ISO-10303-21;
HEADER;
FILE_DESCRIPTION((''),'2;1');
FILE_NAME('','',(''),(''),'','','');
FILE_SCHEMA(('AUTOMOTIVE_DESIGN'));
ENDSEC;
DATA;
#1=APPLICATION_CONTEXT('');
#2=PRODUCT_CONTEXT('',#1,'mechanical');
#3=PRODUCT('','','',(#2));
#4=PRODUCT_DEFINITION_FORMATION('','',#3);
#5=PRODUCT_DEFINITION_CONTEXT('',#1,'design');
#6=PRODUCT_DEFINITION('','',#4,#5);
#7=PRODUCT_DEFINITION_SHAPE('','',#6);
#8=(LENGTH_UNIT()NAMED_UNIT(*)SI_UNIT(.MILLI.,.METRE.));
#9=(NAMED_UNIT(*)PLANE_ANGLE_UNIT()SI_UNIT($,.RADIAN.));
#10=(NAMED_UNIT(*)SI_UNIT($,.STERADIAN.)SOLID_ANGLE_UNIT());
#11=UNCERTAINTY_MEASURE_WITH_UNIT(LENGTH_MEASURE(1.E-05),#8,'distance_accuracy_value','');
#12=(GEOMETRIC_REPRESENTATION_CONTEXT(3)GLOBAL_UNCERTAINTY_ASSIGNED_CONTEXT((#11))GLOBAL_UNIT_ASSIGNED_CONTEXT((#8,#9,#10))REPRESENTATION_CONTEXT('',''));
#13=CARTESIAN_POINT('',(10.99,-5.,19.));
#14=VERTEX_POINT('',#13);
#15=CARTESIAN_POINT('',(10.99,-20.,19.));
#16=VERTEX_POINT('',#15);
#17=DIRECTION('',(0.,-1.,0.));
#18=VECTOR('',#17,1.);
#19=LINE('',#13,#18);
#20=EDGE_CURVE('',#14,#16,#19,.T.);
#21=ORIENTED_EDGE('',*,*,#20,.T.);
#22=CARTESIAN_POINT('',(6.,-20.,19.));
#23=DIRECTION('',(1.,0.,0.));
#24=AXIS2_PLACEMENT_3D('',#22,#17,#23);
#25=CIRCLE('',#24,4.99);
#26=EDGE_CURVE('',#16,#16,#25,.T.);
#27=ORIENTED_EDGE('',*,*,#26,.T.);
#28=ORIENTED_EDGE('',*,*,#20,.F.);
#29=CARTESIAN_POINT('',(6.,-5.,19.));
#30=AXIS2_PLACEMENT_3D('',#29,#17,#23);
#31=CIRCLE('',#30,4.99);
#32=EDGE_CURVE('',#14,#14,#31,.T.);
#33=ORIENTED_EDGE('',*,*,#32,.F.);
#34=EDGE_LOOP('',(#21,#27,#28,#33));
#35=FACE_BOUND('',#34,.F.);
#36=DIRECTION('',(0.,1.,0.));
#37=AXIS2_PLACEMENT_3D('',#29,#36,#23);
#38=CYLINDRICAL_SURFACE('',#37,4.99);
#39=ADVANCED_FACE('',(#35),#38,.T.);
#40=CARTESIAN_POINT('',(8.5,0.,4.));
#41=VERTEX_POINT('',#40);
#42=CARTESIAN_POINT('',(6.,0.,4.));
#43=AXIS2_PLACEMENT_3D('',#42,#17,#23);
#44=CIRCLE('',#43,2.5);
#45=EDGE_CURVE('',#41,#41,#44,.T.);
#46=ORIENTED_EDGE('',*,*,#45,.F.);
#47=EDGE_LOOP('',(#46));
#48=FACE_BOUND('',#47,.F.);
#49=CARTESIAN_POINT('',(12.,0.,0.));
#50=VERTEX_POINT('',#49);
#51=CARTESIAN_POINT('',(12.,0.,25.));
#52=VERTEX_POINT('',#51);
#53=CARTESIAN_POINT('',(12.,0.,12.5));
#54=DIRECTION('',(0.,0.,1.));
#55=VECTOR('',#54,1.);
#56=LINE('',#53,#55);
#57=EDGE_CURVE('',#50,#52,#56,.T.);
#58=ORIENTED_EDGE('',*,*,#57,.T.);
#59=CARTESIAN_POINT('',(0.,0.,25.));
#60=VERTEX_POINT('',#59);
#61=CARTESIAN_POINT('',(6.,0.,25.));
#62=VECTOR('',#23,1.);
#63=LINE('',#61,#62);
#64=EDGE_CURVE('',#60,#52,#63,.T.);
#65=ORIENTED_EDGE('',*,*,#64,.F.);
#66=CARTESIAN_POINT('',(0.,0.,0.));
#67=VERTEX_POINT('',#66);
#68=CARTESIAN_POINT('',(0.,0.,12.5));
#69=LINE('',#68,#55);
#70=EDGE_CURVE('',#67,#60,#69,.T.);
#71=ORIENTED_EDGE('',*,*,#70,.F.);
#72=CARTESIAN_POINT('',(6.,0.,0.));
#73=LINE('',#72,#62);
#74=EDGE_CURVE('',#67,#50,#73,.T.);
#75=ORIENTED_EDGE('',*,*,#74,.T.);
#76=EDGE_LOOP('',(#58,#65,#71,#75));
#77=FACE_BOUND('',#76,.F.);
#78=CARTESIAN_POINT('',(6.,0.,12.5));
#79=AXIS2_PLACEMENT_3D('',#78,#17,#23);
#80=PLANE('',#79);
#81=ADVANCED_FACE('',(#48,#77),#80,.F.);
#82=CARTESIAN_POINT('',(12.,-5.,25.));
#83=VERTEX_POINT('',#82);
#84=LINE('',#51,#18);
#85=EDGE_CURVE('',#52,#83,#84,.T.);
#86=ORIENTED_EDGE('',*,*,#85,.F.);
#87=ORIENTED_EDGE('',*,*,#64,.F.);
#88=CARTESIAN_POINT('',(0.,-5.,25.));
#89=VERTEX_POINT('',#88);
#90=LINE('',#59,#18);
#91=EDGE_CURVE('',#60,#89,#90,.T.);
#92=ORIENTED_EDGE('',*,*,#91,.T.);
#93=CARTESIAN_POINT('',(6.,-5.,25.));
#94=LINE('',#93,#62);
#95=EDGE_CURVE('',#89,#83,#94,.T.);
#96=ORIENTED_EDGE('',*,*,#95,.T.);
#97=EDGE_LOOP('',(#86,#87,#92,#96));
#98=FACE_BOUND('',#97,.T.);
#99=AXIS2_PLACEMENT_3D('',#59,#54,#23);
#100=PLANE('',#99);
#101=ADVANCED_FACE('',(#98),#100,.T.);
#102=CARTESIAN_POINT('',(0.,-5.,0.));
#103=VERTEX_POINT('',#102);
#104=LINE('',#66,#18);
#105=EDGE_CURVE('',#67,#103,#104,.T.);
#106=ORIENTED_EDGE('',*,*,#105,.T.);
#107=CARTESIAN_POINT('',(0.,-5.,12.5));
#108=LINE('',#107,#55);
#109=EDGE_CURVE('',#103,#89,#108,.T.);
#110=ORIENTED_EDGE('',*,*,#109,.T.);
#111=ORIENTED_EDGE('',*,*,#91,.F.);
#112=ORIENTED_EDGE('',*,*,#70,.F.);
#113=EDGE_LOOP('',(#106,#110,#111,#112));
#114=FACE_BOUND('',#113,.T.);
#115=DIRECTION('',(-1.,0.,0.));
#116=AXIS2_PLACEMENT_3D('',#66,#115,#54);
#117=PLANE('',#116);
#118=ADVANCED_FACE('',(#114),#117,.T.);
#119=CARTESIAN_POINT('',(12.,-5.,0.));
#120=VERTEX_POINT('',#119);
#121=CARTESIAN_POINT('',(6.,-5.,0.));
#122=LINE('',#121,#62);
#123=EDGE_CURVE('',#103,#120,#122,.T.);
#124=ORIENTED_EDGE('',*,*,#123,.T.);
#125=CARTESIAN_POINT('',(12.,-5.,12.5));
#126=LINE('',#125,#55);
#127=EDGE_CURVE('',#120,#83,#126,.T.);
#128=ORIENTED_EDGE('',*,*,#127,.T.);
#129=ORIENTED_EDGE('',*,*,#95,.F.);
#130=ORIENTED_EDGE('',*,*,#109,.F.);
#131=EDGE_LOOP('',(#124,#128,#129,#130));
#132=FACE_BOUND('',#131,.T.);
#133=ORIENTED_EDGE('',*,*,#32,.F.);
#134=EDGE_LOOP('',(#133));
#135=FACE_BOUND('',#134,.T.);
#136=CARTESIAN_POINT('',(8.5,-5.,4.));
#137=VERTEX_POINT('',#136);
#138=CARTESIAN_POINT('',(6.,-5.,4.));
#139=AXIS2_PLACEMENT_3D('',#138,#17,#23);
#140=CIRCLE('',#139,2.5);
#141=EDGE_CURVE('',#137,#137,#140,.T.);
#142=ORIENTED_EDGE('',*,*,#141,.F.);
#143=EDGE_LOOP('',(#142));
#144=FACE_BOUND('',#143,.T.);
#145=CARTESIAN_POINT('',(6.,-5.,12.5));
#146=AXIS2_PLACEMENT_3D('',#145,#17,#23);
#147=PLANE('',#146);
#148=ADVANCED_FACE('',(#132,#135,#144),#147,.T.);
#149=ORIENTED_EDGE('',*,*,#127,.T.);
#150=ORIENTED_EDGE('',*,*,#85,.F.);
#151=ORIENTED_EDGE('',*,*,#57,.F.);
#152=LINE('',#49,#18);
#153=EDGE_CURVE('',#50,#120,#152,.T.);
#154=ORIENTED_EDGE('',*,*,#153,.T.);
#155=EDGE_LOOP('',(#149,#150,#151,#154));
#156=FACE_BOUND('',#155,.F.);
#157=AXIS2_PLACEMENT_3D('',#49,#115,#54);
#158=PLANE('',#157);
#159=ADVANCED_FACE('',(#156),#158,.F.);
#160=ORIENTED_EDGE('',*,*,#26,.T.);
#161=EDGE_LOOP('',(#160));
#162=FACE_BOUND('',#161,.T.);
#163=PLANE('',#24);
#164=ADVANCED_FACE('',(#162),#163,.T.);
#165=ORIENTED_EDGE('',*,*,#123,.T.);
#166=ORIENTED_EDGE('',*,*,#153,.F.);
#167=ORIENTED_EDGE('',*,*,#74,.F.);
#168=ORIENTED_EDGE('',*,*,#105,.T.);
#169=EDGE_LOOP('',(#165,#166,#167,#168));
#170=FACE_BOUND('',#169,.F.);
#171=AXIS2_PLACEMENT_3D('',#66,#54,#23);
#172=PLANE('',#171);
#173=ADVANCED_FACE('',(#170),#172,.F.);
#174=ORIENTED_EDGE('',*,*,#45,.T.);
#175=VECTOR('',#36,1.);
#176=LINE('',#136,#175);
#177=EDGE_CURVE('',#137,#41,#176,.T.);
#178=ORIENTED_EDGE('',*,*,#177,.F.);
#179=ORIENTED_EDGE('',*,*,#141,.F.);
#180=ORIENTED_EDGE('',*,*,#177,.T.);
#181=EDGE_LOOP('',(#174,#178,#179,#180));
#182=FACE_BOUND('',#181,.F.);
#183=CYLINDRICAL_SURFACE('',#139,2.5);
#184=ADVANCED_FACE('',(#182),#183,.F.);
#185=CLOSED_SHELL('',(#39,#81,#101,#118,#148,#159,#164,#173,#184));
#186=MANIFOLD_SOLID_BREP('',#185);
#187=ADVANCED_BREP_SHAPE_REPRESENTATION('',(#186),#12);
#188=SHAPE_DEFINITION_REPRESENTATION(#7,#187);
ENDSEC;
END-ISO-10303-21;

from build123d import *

# Parameters (mm, degrees)
F0_W     = 12
F0_H     = 25
F1_DEPTH = 5
F2_R     = 2.5
F3_DEPTH = 5.001
F4_R     = 4.99
F5_DEPTH = 15


with BuildPart() as f1:
    # F0 (on Front) → F1 (new body)
    with BuildSketch(Plane.XZ):
        with Locations((6, 12.5)):
            Rectangle(F0_W, F0_H)
    extrude(amount=F1_DEPTH)

    # F2 (on face) → F3 (cut, through all)
    with BuildSketch(Plane.XZ.offset(5)):
        with Locations((6, 4)):
            Circle(F2_R)
    extrude(amount=-F3_DEPTH, mode=Mode.SUBTRACT)

    # F4 (on face) → F5 (join)
    with BuildSketch(Plane.XZ.offset(5)):
        with Locations((6, 19)):
            Circle(F4_R)
    extrude(amount=F5_DEPTH)


solid = f1.part
